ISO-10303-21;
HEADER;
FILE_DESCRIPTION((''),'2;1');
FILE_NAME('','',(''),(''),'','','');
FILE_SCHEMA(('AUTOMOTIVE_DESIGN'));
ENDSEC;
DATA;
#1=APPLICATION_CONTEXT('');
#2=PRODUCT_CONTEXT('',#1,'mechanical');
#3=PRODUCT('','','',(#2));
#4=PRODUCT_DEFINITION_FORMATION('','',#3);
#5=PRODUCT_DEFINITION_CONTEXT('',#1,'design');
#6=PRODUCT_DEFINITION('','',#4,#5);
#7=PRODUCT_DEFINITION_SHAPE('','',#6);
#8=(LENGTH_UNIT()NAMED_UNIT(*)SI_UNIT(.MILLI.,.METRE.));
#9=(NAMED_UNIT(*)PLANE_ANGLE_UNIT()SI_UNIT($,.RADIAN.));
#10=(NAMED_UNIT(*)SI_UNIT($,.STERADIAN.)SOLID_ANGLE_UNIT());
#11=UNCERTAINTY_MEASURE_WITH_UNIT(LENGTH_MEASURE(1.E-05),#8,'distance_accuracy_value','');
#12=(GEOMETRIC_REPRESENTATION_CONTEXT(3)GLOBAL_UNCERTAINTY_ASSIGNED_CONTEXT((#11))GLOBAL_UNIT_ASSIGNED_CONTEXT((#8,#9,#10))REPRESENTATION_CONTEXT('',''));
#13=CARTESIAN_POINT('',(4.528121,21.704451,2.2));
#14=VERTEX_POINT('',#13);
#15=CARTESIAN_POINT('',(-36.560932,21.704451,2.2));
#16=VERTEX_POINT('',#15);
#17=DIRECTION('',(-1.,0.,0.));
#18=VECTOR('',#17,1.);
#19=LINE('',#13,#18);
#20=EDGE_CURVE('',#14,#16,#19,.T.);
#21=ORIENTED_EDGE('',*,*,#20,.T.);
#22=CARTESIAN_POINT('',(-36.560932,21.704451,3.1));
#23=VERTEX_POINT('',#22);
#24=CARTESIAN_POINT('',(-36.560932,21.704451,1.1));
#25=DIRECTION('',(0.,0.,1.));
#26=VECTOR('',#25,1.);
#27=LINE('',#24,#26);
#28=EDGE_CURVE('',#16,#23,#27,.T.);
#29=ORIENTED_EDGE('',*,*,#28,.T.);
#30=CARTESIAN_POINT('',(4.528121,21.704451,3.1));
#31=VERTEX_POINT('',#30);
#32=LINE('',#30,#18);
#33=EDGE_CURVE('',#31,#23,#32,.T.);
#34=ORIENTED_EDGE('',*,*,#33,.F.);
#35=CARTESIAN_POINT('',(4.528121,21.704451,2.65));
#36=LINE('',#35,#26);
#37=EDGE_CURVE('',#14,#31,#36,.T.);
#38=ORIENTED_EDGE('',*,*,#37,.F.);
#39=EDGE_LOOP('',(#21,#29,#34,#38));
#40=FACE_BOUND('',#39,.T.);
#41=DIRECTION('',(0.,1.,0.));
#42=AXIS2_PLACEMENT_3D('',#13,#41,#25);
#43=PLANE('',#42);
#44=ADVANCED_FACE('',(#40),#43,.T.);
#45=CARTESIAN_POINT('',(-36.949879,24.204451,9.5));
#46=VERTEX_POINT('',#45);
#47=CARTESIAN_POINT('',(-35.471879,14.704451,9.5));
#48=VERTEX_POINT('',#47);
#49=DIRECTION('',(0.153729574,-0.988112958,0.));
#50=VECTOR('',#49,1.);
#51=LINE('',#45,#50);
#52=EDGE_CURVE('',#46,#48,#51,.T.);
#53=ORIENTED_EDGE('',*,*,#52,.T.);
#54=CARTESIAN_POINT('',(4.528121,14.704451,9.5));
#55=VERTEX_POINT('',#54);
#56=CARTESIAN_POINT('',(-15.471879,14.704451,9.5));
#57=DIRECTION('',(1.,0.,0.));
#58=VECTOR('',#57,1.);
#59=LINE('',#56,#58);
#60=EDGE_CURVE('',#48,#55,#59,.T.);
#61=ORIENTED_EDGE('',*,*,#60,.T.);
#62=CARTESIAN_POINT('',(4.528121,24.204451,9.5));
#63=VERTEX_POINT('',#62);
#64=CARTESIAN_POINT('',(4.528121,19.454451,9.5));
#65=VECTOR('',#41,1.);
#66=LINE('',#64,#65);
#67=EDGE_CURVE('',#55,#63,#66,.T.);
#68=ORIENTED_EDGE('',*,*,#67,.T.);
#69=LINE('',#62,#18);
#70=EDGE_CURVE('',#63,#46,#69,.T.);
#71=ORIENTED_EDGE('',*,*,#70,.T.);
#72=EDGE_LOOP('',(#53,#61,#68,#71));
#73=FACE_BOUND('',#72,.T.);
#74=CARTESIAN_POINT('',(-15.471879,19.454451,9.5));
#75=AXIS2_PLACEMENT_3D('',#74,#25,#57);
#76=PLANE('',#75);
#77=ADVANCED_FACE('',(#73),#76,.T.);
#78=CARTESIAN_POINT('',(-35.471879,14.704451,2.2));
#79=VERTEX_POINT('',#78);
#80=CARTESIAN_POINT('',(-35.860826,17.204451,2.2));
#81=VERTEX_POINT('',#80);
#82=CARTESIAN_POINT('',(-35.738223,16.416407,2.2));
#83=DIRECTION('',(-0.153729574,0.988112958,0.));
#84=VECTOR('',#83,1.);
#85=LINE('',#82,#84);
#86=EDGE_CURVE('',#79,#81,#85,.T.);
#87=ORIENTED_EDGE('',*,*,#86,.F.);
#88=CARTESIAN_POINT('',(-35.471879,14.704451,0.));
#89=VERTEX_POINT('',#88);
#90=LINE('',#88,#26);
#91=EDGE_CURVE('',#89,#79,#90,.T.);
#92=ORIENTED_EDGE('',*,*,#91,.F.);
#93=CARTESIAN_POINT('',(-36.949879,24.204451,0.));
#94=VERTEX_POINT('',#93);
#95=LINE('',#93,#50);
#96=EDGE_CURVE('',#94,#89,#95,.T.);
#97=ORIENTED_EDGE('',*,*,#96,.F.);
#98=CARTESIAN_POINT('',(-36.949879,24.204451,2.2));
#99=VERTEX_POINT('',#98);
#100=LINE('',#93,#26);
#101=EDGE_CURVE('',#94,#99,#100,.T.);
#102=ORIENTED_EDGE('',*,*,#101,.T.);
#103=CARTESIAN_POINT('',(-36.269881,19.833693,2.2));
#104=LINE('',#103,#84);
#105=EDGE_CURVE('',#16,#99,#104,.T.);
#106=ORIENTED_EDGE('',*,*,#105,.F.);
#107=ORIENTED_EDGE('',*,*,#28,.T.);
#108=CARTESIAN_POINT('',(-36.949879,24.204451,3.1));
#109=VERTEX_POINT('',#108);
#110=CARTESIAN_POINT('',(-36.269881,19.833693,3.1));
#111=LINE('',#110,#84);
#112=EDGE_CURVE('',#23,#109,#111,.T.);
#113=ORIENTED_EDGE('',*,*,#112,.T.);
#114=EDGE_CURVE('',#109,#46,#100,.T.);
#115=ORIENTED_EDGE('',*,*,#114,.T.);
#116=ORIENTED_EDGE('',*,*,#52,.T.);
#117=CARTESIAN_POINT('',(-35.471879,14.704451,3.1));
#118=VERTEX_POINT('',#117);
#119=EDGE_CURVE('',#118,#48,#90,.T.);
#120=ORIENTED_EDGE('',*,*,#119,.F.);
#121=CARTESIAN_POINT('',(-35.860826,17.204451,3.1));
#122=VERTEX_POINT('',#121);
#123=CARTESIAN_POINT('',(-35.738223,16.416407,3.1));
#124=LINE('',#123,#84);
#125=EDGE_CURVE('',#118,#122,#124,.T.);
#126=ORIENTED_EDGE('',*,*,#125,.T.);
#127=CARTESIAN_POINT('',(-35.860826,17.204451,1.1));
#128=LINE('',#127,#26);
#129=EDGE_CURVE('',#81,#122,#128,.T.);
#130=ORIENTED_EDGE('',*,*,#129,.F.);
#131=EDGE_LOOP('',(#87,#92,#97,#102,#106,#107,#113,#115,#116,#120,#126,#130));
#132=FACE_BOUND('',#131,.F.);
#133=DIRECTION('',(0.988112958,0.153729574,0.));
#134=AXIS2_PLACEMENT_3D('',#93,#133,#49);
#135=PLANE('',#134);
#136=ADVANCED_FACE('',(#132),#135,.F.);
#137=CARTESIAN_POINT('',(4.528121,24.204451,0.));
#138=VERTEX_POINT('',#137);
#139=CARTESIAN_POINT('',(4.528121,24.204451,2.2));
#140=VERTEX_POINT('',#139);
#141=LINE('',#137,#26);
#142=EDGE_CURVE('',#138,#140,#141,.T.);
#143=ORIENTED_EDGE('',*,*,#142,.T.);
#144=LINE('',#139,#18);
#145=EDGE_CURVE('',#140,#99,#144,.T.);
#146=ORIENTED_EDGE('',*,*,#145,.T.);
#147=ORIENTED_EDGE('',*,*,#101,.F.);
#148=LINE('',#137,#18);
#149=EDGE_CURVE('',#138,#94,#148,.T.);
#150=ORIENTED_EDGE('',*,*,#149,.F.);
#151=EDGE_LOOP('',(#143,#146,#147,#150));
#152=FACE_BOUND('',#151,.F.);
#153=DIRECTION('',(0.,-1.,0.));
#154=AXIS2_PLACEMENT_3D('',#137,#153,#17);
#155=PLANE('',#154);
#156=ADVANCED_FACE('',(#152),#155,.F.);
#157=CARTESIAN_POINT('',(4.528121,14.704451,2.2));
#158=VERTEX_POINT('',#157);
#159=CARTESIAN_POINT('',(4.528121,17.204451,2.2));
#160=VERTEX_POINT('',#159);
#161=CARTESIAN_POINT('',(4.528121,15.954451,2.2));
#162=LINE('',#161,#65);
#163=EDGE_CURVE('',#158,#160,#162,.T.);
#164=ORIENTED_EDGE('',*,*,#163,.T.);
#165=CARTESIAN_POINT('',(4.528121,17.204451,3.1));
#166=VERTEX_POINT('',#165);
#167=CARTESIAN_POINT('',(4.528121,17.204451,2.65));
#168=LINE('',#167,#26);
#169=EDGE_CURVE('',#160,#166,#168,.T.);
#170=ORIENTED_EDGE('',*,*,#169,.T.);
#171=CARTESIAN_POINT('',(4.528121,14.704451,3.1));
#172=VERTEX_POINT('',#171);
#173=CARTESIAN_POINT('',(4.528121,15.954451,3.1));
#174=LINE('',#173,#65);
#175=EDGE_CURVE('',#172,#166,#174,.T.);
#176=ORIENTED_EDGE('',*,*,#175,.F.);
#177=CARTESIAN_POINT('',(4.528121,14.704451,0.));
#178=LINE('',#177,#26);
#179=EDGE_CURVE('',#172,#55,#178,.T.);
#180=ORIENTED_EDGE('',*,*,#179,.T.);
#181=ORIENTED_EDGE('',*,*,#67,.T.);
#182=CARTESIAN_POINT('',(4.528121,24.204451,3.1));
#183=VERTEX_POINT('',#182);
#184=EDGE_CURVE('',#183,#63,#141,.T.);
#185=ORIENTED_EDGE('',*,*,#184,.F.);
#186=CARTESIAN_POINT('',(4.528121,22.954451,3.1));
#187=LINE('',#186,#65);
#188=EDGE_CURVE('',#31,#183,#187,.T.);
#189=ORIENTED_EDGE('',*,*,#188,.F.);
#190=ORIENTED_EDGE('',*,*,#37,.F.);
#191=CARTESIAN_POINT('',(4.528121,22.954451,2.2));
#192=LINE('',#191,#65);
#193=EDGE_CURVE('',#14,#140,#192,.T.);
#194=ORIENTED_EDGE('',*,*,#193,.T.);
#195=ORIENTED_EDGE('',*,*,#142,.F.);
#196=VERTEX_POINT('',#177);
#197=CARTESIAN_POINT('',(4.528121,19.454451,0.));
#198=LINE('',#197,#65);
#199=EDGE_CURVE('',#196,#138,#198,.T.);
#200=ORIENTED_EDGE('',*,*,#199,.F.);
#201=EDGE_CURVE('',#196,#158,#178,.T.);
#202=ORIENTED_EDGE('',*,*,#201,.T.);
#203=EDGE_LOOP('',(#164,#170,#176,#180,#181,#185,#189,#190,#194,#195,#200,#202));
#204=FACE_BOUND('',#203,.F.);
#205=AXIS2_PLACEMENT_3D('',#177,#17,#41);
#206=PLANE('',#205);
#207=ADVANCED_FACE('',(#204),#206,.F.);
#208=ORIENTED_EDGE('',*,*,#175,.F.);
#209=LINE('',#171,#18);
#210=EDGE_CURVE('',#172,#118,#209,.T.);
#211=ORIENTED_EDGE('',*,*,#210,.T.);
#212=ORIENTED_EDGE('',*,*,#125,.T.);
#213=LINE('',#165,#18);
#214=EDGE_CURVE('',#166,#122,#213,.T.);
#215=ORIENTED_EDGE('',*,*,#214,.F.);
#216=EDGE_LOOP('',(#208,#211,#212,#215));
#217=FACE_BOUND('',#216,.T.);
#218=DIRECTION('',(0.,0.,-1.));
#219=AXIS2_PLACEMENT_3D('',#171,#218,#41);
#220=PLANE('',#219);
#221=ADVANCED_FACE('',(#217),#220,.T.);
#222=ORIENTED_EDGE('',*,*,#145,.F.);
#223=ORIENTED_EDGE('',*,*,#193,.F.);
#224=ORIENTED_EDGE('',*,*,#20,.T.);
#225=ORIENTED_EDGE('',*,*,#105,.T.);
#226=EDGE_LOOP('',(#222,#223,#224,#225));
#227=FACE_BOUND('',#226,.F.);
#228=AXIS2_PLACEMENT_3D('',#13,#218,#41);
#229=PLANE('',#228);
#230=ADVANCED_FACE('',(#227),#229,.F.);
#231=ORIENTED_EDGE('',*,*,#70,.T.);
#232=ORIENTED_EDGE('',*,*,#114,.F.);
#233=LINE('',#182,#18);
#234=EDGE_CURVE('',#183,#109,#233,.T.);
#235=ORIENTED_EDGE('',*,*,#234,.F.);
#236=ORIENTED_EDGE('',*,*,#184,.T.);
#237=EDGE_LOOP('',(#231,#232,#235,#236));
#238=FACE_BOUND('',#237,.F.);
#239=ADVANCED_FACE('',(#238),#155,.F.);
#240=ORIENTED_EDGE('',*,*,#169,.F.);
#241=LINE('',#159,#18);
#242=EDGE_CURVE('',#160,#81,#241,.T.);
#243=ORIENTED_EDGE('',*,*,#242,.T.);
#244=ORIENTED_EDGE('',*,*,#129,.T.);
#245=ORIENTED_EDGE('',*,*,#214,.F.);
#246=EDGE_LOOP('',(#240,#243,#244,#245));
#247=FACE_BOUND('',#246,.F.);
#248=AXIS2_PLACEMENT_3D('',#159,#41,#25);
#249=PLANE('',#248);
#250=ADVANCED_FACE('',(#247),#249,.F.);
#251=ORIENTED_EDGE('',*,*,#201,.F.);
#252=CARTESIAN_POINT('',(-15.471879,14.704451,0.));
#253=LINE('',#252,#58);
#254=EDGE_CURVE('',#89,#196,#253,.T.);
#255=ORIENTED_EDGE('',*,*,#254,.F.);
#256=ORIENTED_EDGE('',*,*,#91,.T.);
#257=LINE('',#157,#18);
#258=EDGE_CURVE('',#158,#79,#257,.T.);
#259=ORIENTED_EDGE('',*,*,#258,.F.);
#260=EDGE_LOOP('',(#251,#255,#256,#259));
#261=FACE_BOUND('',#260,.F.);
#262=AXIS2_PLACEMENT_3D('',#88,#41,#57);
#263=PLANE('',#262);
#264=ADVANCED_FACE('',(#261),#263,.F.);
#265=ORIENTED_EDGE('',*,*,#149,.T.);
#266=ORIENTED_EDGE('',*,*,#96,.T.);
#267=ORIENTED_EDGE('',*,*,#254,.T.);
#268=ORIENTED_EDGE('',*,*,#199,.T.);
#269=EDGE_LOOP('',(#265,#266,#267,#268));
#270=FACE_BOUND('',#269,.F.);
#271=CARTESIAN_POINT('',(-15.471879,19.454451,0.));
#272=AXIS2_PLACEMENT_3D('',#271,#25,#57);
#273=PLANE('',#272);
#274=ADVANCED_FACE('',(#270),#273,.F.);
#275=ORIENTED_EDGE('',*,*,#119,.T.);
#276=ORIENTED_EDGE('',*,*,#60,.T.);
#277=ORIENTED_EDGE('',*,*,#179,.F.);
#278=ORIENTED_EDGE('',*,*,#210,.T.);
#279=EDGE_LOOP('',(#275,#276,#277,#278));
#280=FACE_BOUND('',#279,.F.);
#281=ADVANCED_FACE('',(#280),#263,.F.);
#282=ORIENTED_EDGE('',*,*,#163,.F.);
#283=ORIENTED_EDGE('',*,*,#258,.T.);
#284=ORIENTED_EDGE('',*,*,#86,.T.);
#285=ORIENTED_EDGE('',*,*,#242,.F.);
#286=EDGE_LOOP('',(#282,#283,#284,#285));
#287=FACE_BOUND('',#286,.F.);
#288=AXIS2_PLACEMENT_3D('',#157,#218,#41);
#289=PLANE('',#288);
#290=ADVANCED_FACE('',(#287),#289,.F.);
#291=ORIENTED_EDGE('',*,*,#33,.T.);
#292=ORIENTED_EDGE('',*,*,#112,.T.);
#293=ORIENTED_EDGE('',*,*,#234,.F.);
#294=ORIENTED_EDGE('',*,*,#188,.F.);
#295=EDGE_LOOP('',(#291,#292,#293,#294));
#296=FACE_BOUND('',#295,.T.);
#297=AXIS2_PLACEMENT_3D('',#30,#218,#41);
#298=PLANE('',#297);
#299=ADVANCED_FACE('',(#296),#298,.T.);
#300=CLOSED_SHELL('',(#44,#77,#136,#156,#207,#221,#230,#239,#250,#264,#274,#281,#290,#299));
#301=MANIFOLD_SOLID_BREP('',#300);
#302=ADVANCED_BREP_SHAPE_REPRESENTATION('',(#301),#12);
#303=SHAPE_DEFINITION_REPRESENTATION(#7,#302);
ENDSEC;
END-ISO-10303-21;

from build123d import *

# Parameters (mm, degrees)
F0_W     = 40
F0_H     = 9.5
F1_DEPTH = 9.5
F2_W     = 2.5
F2_H     = 0.9
F3_DEPTH = 50


with BuildPart() as f1:
    # F0 (on Top) → F1 (new body)
    with BuildSketch(Plane.XY):
        with Locations((-15.471879, 19.454451)):
            Rectangle(F0_W, F0_H)
        Polygon((-35.471879, 14.704451), (-35.471879, 24.204451), (-36.949879, 24.204451), align=None)
    extrude(amount=F1_DEPTH)

    # F2 (on face) → F3 (cut)
    with BuildSketch(Plane.YZ.offset(4.528121)):
        with Locations((15.954451, 2.65)):
            Rectangle(F2_W, F2_H)
        with Locations((22.954451, 2.65)):
            Rectangle(F2_W, F2_H)
    extrude(amount=-F3_DEPTH, mode=Mode.SUBTRACT)


solid = f1.part
